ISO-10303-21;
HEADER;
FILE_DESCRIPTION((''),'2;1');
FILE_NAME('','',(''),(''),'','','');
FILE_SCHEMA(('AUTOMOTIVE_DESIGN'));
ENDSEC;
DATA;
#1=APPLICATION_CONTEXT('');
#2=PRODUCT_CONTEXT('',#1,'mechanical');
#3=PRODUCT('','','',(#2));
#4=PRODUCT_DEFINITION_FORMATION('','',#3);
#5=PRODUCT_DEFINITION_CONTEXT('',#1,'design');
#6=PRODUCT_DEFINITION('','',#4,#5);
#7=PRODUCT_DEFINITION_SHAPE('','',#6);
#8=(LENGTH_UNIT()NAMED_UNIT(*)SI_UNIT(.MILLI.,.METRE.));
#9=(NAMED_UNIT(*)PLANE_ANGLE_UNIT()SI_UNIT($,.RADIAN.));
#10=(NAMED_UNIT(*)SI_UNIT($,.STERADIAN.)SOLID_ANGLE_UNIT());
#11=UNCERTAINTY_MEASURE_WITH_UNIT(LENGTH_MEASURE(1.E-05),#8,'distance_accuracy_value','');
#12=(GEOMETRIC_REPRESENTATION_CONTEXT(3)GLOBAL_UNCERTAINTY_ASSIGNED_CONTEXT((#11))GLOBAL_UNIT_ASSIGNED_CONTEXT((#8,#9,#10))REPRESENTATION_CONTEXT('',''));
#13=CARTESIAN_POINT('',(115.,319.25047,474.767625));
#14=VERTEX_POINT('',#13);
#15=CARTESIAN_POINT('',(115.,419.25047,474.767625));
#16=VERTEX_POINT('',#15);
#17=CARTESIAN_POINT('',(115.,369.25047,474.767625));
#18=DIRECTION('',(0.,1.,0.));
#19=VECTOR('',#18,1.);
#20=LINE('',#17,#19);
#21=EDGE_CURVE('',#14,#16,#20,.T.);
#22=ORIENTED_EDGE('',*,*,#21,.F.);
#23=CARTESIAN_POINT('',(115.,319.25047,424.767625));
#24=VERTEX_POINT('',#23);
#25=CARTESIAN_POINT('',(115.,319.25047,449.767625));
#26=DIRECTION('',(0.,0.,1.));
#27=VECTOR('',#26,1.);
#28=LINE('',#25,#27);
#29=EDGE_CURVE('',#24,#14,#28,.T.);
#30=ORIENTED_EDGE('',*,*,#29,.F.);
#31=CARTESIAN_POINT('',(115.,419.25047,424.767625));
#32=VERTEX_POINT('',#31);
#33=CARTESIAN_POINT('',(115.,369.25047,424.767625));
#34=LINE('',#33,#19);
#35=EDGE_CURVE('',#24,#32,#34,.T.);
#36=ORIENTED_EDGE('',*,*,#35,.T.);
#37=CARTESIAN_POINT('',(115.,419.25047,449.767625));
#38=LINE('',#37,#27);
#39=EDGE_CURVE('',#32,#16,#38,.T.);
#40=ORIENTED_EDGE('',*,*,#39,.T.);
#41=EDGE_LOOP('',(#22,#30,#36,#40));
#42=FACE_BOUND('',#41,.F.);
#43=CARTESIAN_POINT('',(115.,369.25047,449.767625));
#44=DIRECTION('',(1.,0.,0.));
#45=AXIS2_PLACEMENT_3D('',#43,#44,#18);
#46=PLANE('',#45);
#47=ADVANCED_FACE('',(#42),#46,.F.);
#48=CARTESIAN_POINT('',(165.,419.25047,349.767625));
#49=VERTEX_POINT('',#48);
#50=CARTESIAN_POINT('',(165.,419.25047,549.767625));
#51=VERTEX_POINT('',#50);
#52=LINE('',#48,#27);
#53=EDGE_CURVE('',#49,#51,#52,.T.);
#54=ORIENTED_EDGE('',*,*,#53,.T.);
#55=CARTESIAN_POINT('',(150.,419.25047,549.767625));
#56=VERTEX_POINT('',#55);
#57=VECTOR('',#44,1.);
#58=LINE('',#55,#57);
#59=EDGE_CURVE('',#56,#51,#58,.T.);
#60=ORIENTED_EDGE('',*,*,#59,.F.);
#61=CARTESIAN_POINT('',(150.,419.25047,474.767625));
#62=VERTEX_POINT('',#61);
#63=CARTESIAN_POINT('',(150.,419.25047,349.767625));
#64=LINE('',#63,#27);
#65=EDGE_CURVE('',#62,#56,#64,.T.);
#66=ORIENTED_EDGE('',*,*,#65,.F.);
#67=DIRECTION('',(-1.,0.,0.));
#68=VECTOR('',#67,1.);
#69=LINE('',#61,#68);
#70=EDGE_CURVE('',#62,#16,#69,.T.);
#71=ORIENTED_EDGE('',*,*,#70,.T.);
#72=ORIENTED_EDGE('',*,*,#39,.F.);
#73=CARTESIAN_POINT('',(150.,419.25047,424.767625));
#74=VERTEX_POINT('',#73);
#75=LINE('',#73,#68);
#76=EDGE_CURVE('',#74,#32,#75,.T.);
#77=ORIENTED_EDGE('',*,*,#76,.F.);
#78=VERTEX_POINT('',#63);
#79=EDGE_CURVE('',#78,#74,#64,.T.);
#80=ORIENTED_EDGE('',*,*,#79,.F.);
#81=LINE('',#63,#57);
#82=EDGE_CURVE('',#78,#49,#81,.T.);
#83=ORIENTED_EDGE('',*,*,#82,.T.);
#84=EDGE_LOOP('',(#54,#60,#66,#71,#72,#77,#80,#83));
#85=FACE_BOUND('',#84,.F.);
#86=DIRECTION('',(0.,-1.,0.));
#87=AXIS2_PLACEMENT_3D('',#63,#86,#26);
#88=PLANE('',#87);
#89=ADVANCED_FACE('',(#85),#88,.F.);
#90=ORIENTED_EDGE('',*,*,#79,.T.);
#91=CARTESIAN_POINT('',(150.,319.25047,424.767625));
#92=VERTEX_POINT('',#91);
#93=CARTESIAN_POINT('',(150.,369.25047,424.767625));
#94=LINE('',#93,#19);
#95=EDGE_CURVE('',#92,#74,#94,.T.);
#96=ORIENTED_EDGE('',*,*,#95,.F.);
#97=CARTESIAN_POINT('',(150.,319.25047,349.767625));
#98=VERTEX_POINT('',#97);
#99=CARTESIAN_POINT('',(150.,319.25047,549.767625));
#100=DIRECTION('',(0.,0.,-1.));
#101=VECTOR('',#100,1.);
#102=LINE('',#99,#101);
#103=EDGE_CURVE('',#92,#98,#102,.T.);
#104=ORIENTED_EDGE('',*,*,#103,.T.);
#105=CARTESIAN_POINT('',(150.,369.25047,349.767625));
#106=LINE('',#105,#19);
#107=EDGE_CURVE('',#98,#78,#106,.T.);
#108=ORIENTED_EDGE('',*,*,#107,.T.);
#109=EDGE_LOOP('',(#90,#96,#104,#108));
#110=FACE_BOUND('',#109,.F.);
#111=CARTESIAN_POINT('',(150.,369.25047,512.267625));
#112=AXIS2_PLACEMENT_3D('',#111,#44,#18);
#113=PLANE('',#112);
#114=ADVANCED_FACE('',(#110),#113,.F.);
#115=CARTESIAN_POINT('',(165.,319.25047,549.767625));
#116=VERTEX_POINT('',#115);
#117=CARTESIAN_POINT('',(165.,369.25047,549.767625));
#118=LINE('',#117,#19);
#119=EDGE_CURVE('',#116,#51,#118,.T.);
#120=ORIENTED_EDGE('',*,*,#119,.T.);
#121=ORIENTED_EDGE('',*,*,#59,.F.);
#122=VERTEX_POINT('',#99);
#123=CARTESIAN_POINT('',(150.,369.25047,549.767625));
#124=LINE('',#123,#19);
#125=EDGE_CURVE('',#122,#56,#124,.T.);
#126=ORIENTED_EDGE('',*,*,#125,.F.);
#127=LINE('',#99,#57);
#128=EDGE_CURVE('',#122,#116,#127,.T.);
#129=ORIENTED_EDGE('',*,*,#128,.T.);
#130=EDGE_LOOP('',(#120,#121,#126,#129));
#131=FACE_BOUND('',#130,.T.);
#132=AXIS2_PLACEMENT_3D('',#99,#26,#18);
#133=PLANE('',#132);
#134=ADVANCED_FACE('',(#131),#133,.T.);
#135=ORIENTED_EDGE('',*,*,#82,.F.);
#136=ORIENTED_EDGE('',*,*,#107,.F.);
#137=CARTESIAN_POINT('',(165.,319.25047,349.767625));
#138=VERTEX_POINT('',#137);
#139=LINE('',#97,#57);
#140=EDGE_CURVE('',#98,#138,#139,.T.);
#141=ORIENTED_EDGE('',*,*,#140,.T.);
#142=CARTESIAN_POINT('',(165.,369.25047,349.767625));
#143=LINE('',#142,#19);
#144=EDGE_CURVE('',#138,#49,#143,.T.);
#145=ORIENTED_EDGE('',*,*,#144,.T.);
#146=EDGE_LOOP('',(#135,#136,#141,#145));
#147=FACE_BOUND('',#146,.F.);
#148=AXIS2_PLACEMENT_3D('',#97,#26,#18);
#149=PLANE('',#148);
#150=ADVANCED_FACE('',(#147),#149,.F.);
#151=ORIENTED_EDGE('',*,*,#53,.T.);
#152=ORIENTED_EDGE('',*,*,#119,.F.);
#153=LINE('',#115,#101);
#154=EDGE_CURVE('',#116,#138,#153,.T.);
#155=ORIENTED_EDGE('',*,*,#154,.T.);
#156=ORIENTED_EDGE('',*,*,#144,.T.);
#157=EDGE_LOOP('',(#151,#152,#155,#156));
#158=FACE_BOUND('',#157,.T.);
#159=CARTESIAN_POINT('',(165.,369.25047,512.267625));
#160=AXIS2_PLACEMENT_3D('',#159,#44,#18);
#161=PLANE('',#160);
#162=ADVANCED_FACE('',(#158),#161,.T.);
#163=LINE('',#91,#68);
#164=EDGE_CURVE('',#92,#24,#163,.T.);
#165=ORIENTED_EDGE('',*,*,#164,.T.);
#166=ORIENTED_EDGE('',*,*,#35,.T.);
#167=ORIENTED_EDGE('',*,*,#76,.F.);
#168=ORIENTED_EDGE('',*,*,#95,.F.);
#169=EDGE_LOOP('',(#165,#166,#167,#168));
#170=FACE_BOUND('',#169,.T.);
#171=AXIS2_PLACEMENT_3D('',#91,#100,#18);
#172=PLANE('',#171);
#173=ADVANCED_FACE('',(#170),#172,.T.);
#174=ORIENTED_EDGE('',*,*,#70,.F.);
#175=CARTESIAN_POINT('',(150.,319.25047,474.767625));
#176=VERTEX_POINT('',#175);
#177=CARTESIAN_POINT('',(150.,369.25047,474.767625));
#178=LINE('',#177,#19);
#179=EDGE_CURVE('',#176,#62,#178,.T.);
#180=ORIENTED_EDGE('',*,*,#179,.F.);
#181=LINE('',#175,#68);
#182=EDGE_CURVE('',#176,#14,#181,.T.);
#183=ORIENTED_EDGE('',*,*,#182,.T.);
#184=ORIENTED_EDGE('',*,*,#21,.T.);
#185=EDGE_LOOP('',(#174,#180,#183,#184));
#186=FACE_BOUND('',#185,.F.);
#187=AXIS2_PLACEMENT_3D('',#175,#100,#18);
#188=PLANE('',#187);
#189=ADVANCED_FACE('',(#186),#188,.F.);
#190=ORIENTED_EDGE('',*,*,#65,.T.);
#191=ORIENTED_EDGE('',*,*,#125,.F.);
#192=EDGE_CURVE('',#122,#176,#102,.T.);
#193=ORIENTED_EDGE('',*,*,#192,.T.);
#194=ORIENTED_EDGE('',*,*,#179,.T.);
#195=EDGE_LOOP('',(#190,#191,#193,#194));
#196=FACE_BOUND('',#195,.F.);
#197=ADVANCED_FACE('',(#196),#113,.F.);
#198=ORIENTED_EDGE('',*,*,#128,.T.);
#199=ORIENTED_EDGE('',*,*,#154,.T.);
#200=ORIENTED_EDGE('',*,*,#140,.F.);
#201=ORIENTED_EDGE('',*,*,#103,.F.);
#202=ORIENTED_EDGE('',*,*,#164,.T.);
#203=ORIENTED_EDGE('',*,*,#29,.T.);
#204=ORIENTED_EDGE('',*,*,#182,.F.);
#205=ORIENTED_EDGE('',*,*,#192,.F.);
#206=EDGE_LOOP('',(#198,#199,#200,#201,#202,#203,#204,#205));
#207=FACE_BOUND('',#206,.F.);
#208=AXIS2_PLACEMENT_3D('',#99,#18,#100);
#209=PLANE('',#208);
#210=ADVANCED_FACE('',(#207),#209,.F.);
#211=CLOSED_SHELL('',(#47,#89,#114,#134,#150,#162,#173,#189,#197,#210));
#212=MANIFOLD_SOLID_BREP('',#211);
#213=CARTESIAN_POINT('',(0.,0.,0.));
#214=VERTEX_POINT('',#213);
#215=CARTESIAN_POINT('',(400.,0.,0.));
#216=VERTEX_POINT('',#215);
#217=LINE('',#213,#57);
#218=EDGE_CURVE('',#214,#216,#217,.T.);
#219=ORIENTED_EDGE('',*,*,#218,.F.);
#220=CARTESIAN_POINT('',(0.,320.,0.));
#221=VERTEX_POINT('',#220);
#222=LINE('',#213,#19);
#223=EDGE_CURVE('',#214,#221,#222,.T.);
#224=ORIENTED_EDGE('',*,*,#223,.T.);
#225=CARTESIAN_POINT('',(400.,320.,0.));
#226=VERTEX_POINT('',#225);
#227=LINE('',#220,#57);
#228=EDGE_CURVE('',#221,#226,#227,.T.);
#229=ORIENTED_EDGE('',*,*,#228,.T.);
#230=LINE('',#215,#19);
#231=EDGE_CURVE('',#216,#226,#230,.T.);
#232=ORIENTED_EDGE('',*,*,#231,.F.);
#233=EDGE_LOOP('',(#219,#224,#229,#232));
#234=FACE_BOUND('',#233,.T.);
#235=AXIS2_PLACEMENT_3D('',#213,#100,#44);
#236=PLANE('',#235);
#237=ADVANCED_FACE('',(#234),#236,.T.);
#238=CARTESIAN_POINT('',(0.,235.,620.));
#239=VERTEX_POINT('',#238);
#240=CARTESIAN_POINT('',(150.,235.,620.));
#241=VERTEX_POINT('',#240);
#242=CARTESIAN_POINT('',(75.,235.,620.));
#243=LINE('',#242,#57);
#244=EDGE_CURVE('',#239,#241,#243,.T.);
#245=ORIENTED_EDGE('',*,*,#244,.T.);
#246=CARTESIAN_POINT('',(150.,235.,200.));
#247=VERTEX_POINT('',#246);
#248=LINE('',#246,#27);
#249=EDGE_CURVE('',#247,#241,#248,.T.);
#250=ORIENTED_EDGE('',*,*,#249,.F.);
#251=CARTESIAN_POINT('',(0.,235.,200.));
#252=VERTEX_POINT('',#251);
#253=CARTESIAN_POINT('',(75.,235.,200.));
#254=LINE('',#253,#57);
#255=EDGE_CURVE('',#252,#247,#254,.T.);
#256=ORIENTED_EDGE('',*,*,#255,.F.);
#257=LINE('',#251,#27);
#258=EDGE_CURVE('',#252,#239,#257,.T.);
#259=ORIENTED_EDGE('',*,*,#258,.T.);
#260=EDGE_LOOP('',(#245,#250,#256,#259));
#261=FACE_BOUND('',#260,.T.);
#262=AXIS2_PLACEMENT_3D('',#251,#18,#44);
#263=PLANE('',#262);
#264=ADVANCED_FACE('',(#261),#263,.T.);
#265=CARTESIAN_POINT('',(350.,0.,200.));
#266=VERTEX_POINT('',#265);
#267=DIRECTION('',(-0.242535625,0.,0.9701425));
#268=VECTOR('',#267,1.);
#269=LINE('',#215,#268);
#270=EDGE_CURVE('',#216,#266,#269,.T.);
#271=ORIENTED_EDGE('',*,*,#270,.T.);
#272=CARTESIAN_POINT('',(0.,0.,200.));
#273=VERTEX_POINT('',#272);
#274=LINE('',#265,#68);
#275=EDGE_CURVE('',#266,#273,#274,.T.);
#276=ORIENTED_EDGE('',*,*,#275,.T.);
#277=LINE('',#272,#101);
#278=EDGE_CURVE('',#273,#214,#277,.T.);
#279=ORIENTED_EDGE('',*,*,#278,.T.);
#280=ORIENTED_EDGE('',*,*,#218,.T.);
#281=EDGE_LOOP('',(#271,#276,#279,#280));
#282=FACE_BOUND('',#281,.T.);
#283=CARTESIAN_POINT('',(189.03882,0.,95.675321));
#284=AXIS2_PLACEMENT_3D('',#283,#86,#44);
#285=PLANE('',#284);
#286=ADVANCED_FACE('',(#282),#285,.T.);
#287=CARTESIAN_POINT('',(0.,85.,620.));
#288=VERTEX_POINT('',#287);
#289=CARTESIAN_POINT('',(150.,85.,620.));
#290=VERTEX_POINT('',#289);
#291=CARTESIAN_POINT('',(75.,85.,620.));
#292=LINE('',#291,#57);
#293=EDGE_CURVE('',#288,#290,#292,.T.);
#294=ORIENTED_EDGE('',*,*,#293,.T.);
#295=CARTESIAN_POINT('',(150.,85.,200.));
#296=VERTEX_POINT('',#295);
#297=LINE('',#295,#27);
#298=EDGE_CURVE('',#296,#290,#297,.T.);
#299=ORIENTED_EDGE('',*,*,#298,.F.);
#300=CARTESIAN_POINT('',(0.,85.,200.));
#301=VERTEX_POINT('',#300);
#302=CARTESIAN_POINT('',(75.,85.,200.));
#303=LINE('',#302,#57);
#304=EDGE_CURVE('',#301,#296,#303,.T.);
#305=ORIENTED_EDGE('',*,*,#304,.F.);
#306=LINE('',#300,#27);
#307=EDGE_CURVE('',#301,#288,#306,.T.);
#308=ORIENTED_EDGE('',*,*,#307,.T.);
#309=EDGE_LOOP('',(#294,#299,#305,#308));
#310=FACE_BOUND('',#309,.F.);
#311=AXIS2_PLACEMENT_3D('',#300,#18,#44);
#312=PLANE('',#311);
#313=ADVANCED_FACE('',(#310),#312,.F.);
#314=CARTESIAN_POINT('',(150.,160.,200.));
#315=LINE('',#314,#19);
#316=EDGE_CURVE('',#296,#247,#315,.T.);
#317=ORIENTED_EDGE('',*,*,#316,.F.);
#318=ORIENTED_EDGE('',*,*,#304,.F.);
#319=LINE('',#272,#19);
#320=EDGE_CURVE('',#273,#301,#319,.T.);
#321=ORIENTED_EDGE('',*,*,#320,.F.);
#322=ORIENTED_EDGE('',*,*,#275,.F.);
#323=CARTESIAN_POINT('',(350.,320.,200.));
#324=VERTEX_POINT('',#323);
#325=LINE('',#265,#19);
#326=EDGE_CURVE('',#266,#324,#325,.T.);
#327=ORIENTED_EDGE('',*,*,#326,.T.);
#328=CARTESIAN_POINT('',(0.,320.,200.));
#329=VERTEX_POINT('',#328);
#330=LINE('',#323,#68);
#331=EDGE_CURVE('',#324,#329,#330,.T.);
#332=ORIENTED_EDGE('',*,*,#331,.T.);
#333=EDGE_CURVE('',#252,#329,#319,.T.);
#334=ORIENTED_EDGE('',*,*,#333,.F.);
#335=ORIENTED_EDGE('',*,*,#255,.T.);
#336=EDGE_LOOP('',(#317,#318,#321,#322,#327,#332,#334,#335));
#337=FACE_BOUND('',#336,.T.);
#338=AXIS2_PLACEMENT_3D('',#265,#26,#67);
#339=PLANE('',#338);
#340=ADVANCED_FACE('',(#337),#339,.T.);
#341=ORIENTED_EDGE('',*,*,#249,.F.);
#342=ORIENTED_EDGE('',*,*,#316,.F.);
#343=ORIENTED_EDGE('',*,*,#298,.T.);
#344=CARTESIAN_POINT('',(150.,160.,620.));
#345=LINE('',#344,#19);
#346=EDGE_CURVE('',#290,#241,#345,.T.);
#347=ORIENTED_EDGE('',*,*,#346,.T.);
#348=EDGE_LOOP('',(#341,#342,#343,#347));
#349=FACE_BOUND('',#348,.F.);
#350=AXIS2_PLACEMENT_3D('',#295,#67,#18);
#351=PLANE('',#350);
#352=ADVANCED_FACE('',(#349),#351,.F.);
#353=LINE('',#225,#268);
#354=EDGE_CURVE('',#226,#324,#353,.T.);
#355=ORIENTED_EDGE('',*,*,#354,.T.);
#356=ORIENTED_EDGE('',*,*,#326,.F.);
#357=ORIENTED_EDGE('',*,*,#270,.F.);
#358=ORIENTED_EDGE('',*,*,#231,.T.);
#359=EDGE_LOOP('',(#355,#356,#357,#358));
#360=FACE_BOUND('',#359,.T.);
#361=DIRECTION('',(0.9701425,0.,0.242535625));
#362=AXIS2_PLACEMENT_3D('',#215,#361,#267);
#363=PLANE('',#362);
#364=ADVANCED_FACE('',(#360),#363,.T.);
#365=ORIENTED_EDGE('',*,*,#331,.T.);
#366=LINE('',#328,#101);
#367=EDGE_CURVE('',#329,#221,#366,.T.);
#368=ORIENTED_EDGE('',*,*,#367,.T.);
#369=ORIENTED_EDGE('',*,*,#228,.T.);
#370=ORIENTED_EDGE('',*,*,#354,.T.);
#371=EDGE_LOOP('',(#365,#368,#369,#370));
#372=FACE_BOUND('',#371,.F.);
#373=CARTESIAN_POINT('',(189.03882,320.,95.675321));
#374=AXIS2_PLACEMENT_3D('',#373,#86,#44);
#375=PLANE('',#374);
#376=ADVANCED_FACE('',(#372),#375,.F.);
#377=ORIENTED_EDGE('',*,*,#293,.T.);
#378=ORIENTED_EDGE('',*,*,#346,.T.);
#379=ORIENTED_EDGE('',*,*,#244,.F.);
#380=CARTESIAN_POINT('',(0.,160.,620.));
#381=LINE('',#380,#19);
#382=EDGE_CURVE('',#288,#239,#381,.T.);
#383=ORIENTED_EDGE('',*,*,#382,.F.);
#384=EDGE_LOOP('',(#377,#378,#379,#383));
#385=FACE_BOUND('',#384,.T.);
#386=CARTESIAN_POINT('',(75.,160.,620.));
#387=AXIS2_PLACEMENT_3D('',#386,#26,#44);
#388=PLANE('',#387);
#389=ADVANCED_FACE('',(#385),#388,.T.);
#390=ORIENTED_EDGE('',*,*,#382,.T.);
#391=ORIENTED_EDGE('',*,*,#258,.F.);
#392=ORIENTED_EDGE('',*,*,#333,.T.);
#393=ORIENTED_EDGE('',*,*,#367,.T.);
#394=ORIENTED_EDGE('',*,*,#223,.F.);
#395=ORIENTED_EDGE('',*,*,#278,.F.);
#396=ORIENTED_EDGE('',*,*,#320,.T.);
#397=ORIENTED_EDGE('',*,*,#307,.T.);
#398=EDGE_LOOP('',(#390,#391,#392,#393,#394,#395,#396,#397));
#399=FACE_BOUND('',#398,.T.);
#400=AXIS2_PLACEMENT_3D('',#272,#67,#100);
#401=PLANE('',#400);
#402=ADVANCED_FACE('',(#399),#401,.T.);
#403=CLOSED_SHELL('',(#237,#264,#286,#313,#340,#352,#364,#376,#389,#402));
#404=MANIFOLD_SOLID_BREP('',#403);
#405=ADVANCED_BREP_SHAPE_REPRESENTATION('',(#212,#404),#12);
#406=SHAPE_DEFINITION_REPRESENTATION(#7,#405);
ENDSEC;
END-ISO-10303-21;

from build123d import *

# Parameters (mm, degrees)
F1_DEPTH = 320
F2_W     = 150
F2_H     = 150
F3_DEPTH = 420
F4_W     = 100
F4_H     = 75
F4_H_2   = 50
F5_DEPTH = 15
F6_DEPTH = 35


with BuildPart() as f1:
    # F0 (on Front) → F1 (new body)
    with BuildSketch(Plane.XZ):
        Polygon((0, 200), (0, 0), (400, 0), (350, 200), align=None)
    extrude(amount=-F1_DEPTH)

    # F2 (on face) → F3 (join)
    with BuildSketch(Plane.XY.offset(200)):
        with Locations((75, 160)):
            Rectangle(F2_W, F2_H)
    extrude(amount=F3_DEPTH)


with BuildPart() as f5:
    # F4 (on face) → F5 (new body)
    with BuildSketch(Plane.YZ.offset(150)):
        with Locations((369.25047, 512.267625)):
            Rectangle(F4_W, F4_H)
        with Locations((369.25047, 387.267625)):
            Rectangle(F4_W, F4_H)
        with Locations((369.25047, 449.767625)):
            Rectangle(F4_W, F4_H_2)
    extrude(amount=F5_DEPTH)

    # F4 (on face) → F6 (join)
    with BuildSketch(Plane.YZ.offset(150)):
        with Locations((369.25047, 449.767625)):
            Rectangle(F4_W, F4_H_2)
    extrude(amount=-F6_DEPTH)


solid = Compound([f1.part, f5.part])
